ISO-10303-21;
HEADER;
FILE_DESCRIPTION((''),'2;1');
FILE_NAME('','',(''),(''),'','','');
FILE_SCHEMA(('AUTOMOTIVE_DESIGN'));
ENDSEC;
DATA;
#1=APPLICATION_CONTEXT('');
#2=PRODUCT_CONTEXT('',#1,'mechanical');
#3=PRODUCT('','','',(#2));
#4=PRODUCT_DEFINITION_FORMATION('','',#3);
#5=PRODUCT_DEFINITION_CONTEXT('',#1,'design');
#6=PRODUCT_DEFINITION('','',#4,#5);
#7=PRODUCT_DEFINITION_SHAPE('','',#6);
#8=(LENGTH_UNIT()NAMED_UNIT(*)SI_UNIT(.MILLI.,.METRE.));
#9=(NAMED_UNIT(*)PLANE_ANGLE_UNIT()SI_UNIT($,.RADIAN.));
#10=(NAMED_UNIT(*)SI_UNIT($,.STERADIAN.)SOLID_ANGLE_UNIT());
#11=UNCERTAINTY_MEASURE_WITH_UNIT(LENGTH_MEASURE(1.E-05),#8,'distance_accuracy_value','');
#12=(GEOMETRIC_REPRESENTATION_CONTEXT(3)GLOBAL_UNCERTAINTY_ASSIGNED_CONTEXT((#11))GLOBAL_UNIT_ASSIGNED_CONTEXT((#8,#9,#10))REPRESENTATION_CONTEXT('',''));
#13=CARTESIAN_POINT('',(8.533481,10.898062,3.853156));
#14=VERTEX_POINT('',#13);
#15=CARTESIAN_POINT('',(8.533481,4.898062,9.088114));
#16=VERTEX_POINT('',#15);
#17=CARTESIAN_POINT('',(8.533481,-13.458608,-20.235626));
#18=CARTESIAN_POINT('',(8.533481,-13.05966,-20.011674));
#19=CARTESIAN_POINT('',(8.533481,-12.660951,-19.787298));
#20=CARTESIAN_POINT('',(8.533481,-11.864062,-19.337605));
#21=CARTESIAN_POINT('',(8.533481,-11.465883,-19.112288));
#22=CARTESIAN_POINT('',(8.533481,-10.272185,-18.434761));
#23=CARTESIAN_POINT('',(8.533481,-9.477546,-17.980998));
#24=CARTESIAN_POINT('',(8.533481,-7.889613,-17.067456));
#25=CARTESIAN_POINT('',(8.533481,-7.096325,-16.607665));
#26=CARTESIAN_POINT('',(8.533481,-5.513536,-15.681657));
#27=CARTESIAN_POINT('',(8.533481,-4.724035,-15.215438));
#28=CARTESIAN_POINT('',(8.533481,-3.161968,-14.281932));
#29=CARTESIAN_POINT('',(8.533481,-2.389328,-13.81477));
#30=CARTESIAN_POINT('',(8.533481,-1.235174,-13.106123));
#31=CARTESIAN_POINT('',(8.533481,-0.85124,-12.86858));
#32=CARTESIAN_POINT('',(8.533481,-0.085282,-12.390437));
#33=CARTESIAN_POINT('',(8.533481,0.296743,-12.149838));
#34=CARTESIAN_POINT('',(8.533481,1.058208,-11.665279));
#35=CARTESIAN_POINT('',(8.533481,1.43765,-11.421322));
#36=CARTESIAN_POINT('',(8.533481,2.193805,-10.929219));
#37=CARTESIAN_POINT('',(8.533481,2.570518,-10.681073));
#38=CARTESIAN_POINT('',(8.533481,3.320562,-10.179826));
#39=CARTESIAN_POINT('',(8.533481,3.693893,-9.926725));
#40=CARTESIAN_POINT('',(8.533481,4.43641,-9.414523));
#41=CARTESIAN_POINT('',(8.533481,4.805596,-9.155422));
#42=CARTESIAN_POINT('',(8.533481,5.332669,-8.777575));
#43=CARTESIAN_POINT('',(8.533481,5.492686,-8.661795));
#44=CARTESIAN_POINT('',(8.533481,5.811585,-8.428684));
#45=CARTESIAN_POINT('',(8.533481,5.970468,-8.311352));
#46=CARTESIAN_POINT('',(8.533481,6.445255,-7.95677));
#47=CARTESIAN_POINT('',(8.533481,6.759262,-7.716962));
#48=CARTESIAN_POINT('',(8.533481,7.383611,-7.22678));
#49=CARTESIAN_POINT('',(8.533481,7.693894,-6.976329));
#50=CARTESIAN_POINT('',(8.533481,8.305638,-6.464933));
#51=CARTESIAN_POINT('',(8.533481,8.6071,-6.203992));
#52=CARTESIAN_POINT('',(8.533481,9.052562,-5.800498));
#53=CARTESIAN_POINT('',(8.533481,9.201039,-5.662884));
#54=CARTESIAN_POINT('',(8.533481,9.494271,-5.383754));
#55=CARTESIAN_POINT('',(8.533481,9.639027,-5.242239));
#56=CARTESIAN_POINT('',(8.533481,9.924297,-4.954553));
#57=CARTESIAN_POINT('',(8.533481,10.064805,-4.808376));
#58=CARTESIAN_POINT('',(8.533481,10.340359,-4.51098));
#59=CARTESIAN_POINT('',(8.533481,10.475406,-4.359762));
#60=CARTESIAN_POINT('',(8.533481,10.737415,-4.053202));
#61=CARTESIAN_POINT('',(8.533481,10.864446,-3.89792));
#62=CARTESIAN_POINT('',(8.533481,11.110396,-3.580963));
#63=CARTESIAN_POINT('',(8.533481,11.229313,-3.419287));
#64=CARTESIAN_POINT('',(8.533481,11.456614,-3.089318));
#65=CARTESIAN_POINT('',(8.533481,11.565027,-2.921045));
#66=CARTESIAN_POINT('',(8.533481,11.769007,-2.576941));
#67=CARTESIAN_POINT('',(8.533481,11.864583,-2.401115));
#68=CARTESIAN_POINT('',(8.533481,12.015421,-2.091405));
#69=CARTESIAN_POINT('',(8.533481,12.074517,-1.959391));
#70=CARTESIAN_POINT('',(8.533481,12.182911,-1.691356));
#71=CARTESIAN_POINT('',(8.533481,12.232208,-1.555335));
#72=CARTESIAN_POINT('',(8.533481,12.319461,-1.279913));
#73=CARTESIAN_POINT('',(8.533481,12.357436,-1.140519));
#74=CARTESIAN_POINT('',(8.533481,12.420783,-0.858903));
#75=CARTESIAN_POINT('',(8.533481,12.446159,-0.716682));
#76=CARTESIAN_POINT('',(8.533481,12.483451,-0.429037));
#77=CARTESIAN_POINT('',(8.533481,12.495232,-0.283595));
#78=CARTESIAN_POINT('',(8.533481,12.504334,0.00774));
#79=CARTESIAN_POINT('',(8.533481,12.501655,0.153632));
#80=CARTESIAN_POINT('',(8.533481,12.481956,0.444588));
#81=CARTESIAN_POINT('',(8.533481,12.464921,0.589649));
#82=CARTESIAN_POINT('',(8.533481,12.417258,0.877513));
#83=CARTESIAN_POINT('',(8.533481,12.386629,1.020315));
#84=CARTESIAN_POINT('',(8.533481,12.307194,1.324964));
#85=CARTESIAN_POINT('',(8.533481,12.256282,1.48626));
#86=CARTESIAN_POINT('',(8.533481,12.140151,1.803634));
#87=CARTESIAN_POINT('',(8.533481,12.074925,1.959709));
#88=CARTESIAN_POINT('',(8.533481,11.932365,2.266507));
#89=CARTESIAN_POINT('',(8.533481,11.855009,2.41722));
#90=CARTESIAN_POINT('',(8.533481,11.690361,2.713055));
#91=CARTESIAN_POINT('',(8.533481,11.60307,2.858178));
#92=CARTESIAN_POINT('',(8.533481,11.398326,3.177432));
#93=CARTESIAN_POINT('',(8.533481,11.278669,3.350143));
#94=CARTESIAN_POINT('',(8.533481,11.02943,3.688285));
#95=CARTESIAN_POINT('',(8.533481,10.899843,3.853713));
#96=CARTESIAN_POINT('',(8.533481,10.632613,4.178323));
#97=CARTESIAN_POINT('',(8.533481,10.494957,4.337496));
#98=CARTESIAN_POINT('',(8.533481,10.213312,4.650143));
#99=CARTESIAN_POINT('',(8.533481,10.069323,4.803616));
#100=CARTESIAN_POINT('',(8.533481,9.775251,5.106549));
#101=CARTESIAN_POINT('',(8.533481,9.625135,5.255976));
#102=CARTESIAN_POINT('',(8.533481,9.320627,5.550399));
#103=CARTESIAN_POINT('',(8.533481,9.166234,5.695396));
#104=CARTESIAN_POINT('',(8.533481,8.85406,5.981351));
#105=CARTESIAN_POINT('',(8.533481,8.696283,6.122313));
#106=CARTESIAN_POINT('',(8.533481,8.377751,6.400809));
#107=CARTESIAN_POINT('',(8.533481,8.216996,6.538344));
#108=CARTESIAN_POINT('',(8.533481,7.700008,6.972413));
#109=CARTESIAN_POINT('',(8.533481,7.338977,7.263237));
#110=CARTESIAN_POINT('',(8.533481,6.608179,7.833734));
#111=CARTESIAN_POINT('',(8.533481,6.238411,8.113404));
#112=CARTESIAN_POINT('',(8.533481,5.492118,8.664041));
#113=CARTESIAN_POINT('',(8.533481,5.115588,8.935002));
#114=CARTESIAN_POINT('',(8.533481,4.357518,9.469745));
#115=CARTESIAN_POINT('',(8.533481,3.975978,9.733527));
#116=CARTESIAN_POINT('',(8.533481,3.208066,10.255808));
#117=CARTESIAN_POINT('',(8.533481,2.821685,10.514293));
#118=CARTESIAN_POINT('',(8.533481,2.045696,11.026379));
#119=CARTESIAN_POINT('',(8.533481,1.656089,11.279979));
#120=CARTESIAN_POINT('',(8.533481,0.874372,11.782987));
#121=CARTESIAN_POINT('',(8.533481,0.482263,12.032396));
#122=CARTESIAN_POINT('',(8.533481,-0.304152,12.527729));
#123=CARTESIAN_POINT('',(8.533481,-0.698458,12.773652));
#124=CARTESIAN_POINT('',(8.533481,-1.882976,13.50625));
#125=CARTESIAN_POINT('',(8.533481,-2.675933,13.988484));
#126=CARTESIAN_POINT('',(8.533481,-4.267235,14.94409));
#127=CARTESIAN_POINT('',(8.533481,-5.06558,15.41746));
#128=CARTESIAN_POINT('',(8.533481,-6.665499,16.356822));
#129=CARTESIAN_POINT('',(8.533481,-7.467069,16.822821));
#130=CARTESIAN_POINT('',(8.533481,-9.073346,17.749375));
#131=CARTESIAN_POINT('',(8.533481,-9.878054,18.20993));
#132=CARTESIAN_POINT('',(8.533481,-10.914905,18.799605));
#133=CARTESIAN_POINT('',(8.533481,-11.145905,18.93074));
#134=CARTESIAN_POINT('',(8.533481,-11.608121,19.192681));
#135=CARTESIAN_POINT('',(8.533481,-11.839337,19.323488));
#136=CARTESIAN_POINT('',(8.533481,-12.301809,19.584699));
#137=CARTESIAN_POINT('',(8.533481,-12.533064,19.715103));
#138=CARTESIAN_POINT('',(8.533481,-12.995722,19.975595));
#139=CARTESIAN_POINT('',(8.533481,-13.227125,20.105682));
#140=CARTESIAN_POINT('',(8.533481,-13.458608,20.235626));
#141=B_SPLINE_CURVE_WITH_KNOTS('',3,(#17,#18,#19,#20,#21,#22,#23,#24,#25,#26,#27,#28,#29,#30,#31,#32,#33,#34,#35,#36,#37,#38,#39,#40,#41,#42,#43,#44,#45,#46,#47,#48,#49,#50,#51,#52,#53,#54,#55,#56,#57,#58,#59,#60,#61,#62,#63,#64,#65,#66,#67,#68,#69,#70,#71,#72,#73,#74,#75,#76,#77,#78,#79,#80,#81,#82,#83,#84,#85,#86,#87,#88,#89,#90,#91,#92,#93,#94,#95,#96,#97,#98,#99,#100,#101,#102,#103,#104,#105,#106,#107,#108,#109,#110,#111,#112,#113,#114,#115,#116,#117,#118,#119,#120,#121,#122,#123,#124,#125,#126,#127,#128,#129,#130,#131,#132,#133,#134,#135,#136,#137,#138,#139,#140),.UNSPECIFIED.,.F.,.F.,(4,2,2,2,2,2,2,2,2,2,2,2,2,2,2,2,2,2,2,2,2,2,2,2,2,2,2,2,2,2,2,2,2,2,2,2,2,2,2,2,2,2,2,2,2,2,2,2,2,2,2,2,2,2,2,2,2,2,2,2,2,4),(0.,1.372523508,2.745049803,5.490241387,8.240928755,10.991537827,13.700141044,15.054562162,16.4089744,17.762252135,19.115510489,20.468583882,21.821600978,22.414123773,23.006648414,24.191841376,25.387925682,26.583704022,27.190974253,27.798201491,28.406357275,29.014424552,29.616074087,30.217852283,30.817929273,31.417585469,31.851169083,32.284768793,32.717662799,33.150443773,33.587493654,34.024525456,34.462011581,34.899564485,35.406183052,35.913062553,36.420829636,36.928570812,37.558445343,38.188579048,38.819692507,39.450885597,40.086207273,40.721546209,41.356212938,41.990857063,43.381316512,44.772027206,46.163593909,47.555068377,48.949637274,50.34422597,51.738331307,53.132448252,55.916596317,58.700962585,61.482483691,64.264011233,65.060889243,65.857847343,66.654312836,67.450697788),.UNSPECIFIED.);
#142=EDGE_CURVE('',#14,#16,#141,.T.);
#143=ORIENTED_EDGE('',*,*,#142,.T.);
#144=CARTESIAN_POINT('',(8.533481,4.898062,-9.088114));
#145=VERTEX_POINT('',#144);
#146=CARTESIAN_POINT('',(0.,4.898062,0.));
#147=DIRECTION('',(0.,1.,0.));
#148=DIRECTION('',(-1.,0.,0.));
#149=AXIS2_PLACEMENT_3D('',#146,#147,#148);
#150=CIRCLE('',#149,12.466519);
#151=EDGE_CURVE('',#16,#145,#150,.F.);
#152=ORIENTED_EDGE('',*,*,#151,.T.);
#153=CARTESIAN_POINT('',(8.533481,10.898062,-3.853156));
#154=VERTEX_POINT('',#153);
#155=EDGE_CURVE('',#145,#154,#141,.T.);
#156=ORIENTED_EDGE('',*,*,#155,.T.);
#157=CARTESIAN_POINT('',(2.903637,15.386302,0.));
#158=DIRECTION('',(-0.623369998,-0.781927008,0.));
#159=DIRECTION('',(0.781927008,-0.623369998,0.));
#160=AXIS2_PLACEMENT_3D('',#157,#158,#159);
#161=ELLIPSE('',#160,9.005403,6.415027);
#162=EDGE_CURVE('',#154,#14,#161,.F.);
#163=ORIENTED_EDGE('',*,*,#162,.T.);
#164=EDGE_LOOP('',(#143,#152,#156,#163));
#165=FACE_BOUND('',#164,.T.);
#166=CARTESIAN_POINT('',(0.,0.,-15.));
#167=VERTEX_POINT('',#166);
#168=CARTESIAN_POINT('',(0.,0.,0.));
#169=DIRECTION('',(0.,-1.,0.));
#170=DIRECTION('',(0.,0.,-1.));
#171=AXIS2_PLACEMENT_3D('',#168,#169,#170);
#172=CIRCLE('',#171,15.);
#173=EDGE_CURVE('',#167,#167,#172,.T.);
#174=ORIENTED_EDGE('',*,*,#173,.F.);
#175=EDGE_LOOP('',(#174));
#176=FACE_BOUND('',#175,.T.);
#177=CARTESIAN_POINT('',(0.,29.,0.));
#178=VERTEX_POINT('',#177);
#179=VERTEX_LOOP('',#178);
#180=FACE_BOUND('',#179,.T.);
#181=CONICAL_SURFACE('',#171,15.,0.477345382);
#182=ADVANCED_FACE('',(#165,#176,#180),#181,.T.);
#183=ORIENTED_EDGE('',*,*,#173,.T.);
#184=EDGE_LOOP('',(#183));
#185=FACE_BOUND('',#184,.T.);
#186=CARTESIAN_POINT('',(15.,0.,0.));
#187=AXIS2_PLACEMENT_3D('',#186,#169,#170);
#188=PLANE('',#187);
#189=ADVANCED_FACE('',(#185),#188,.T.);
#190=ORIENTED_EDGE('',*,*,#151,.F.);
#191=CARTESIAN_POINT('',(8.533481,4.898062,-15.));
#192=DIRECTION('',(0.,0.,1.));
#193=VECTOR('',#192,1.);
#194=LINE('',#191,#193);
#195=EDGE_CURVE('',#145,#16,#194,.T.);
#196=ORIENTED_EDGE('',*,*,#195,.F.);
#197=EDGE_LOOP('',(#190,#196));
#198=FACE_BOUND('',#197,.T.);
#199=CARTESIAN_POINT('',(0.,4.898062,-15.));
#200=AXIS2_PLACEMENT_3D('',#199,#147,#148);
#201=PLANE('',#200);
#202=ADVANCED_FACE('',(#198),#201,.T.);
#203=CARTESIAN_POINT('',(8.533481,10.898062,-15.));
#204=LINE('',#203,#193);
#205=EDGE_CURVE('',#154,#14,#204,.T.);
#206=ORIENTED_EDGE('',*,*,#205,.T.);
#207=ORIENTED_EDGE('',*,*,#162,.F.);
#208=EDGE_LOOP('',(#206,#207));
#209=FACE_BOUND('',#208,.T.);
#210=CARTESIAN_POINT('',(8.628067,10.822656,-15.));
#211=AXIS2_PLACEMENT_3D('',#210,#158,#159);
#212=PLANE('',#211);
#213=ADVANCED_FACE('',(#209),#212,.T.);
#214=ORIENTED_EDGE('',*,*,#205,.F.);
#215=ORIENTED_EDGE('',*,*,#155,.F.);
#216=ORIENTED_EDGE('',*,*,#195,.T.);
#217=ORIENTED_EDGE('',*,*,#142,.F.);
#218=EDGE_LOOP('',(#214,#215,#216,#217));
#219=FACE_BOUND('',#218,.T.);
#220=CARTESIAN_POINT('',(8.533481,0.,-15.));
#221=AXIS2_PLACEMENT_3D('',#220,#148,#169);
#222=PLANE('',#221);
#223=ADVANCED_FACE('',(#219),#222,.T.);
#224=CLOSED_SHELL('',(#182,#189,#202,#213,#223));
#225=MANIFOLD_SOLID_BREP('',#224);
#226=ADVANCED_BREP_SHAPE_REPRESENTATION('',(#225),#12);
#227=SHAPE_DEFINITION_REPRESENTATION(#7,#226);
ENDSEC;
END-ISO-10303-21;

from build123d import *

# Parameters (mm, degrees)
CUT_EXTRUDE_1_DEPTH      = 36.930488446
CUT_EXTRUDE_1_DEPTH_BACK = 36.930488446


with BuildPart() as part:
    # 草图1 → 旋转1 (revolve)
    with BuildSketch(Plane.XY, mode=Mode.PRIVATE) as revolve_1_sk:
        Polygon((0, 0), (0, 29), (15, 0), align=None)
    revolve(revolve_1_sk.sketch.rotate(Axis((0, 0, 0), (0, 1, 0)), 90), axis=Axis((0, 0, 0), (0, 1, 0)))

    # 草图2 → 切除-拉伸1 (cut, two sides: drawn at the far end of the back side and taken through both)
    with BuildSketch(Plane.XY.offset(-CUT_EXTRUDE_1_DEPTH_BACK)):
        Polygon((8.533480566, 4.898062428), (-12.466519434, 4.898062428), (-4.137931034, 21), (8.533480566, 10.898062428), align=None)
    extrude(amount=CUT_EXTRUDE_1_DEPTH + CUT_EXTRUDE_1_DEPTH_BACK, mode=Mode.SUBTRACT)


solid = part.part
